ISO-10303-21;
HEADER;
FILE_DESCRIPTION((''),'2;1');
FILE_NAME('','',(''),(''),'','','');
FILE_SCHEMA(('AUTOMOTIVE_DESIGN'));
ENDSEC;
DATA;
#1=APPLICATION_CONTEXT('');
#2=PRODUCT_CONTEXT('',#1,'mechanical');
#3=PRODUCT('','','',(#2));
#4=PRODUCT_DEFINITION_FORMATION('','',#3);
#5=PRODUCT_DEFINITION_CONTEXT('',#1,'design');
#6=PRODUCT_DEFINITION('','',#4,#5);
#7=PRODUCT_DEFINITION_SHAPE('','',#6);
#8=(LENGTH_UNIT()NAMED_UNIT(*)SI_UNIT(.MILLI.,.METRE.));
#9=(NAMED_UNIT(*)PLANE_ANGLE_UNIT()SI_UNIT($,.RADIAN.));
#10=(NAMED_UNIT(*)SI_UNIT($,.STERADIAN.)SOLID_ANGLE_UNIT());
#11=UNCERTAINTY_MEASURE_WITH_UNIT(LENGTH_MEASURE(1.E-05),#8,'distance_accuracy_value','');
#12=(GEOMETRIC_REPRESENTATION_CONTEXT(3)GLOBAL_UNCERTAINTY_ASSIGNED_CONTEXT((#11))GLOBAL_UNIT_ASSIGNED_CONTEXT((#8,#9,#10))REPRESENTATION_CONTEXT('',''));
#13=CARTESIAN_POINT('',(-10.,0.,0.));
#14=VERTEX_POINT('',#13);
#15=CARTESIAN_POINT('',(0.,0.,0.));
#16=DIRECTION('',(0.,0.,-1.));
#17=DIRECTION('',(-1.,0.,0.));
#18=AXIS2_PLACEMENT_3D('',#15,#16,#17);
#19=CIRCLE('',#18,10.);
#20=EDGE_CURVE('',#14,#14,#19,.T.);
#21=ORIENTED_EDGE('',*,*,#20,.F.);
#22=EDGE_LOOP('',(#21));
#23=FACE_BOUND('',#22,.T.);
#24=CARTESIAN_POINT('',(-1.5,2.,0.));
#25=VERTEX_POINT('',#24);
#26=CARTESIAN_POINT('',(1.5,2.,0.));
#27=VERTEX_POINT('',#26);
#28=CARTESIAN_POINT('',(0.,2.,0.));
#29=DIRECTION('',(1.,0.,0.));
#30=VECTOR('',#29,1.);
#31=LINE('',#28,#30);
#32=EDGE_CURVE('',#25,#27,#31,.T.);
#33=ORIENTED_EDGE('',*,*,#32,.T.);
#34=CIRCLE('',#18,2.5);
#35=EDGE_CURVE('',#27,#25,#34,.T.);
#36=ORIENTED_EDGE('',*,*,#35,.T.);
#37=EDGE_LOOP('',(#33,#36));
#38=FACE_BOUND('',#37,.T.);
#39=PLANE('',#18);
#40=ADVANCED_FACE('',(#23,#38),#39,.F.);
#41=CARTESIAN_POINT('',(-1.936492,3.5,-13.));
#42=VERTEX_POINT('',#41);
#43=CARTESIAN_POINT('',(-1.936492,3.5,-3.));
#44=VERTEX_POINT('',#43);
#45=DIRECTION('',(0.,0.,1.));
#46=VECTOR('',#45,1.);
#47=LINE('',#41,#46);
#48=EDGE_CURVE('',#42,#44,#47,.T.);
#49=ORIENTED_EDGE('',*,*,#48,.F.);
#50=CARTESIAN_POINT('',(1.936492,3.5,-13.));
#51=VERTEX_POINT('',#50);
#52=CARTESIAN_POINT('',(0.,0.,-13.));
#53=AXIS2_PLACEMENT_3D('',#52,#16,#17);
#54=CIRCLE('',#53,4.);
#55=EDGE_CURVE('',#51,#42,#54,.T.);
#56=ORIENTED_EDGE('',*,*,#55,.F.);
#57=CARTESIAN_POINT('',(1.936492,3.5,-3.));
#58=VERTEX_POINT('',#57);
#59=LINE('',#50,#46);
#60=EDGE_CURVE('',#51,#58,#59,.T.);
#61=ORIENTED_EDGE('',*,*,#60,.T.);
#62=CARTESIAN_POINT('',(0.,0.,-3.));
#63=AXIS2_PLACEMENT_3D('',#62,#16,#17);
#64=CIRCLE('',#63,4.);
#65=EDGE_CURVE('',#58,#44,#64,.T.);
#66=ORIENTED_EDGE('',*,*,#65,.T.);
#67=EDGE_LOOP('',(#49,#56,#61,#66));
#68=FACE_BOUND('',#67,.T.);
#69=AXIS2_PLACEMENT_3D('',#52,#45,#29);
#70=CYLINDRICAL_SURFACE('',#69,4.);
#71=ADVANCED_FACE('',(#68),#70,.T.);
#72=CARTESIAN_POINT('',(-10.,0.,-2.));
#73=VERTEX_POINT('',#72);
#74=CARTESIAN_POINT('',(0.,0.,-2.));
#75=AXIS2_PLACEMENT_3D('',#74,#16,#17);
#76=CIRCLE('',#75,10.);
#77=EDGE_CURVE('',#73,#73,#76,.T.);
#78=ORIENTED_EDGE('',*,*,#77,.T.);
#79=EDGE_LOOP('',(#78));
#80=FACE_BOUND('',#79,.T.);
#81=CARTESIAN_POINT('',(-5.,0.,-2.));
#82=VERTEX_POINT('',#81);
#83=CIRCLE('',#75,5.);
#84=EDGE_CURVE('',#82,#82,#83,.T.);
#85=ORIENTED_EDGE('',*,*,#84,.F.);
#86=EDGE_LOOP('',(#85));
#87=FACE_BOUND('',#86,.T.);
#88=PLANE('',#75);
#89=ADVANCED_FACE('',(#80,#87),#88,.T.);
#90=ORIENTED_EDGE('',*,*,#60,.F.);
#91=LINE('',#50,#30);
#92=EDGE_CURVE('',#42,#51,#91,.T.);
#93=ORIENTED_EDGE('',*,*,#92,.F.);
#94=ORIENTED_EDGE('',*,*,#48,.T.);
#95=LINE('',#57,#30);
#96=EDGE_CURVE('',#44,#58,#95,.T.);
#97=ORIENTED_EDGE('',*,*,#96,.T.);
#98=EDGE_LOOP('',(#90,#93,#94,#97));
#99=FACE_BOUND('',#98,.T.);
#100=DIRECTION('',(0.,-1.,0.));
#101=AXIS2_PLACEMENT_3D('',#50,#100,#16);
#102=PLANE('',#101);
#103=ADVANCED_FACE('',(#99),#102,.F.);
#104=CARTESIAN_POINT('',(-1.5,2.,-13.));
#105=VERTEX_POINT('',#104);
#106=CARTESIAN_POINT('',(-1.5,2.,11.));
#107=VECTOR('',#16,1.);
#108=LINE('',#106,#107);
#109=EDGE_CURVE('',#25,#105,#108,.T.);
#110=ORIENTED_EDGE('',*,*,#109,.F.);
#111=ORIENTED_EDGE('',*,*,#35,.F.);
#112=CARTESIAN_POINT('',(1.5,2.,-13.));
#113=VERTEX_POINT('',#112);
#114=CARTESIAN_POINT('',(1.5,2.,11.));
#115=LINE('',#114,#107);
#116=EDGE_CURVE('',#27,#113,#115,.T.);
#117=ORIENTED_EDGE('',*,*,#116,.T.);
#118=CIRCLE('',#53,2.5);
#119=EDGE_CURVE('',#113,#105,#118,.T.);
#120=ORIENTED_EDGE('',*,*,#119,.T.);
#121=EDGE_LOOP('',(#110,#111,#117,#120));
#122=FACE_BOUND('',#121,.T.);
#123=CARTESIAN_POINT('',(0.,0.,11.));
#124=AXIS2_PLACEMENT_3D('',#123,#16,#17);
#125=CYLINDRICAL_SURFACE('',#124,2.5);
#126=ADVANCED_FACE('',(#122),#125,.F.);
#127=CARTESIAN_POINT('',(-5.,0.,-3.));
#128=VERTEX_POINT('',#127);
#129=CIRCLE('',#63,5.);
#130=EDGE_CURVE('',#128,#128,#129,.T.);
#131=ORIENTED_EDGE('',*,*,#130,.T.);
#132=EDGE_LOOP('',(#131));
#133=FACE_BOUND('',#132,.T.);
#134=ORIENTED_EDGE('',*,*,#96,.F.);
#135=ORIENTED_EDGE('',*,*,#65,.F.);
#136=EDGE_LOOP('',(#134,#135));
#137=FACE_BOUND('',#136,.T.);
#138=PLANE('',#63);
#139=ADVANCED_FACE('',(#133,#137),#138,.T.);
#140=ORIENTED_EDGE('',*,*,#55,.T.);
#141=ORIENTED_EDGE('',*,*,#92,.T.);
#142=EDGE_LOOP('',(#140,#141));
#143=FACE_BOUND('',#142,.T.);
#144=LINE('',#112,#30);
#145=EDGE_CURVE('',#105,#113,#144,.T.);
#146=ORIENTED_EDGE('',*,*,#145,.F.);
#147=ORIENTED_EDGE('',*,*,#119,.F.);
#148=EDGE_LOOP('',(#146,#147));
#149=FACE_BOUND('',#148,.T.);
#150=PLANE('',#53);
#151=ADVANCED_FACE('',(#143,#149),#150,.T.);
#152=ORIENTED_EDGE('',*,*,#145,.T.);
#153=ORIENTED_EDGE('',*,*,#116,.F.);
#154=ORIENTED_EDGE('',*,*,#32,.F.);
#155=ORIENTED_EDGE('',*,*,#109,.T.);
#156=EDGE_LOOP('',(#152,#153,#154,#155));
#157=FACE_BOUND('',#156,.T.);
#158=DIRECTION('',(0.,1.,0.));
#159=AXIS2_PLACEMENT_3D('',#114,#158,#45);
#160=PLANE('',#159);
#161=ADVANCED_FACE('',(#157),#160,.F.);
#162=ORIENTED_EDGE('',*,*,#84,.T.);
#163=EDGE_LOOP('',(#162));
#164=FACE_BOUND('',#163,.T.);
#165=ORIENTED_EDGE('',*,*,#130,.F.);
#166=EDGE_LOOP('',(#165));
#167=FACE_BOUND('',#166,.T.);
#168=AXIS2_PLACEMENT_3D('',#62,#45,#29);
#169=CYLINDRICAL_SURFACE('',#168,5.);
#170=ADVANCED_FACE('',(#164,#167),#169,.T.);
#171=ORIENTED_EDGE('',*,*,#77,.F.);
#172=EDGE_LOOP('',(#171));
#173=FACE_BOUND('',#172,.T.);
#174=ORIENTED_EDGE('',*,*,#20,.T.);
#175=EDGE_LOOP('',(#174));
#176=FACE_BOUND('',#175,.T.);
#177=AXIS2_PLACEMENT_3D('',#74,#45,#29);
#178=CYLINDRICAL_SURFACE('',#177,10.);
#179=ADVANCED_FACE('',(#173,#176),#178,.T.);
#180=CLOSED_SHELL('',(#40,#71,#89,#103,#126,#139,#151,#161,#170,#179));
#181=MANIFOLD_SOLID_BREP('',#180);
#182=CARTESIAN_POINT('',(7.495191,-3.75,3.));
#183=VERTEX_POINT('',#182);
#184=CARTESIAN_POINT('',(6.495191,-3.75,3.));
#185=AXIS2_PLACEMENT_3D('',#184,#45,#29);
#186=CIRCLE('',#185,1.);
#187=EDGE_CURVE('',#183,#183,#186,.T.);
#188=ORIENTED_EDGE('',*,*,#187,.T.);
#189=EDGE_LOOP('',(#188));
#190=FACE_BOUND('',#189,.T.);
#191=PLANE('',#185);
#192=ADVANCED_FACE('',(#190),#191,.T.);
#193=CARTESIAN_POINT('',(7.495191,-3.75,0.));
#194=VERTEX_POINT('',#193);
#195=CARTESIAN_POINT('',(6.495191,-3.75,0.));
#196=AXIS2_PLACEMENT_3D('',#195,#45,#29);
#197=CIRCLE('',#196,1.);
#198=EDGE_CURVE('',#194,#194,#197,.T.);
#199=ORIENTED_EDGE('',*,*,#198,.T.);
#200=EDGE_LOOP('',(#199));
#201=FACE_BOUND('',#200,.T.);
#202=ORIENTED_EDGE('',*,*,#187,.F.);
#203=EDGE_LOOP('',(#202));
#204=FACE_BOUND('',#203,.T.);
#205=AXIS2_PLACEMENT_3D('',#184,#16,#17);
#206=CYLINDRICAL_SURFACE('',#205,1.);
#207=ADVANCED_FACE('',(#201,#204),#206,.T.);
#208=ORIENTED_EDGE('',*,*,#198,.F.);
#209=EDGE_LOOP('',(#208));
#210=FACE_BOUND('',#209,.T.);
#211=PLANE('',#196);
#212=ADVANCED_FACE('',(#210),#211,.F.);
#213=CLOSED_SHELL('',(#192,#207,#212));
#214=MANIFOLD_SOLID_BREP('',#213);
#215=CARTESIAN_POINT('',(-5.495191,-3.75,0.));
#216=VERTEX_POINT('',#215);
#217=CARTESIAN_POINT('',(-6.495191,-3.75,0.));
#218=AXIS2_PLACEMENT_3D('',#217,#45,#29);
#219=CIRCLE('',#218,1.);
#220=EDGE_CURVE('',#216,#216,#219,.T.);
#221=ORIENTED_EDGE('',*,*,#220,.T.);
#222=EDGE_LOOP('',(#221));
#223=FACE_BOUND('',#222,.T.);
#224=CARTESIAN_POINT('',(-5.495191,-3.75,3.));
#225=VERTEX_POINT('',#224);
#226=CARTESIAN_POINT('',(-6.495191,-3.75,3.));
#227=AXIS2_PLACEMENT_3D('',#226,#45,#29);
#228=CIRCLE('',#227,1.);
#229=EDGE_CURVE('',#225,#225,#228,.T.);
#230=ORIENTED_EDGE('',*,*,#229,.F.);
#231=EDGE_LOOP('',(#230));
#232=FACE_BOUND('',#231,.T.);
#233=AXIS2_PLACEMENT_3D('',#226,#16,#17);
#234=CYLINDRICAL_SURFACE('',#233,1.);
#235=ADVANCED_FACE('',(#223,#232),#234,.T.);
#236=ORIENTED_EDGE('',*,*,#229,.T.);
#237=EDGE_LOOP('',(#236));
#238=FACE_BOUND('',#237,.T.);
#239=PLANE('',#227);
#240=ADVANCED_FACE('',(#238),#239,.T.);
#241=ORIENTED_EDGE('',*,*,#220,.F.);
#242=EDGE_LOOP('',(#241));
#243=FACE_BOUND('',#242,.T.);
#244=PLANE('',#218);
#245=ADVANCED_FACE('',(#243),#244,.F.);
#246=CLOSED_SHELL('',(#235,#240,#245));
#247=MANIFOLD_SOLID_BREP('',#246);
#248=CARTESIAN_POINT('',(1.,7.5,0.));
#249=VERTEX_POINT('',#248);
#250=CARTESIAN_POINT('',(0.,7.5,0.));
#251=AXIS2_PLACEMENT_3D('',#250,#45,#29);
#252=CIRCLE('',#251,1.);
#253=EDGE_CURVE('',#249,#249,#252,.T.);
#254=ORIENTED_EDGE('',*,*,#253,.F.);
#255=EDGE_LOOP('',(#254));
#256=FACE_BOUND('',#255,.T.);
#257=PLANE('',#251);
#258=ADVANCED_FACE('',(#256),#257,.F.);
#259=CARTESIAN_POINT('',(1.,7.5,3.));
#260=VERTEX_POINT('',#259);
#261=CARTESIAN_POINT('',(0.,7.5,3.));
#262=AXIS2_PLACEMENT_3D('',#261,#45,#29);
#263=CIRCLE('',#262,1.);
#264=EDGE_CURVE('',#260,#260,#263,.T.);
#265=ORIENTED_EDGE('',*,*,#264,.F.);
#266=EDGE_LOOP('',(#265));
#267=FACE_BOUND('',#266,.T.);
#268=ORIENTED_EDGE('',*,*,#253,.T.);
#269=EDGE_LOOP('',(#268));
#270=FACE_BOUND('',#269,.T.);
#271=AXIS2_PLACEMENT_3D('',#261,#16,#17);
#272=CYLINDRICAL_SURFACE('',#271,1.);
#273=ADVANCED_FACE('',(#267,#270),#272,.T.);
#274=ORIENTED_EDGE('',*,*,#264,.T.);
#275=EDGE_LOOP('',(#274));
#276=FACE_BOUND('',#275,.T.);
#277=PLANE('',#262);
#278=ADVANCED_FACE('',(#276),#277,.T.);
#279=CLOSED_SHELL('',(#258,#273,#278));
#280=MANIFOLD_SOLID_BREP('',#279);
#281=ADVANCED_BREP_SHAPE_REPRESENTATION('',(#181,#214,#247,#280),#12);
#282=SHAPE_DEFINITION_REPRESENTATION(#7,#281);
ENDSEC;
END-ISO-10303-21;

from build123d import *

# Parameters (mm, degrees)
SKETCH_1_R          = 1
EXTRUDE_1_DEPTH     = 3
EXTRUDE_1_2_DEPTH   = 3
EXTRUDE_1_3_DEPTH   = 3
SKETCH_2_R          = 10
EXTRUDE_2_DEPTH     = 2
SKETCH_3_R          = 5
EXTRUDE_3_DEPTH     = 1
EXTRUDE_4_DEPTH     = 10
CUT_EXTRUDE_1_DEPTH = 24


with BuildPart() as part:
    # 草图1 → 凸台-拉伸1 (new body)
    with BuildSketch(Plane.XY):
        with Locations((0, 7.5)):
            Circle(SKETCH_1_R)
    extrude(amount=EXTRUDE_1_DEPTH)


with BuildPart() as body_2:
    # 草图1 → Extrude 1 2 (new body)
    with BuildSketch(Plane.XY):
        with Locations((6.495190528, -3.75)):
            Circle(SKETCH_1_R)
    extrude(amount=EXTRUDE_1_2_DEPTH)


with BuildPart() as body_3:
    # 草图1 → Extrude 1 3 (new body)
    with BuildSketch(Plane.XY):
        with Locations((-6.495190528, -3.75)):
            Circle(SKETCH_1_R)
    extrude(amount=EXTRUDE_1_3_DEPTH)


with BuildPart() as body_4:
    # 草图2 → 凸台-拉伸2 (new body)
    with BuildSketch(Plane(origin=(0, 0, 0), x_dir=(-1, 0, 0), z_dir=(0, 0, -1))):
        Circle(SKETCH_2_R)
    extrude(amount=EXTRUDE_2_DEPTH)

    # 草图3 → 凸台-拉伸3 (add)
    with BuildSketch(Plane(origin=(0, 0, -2), x_dir=(-1, 0, 0), z_dir=(0, 0, -1))):
        Circle(SKETCH_3_R)
    extrude(amount=EXTRUDE_3_DEPTH)

    # 草图4 → 凸台-拉伸4 (add)
    with BuildSketch(Plane(origin=(0, 0, -3), x_dir=(-1, 0, 0), z_dir=(0, 0, -1))):
        with BuildLine():
            Line((-1.936491673, 3.5), (1.936491673, 3.5))
            ThreePointArc((1.936491673, 3.5), (0, -4), (-1.936491673, 3.5))
        make_face()
    extrude(amount=EXTRUDE_4_DEPTH)

    # 草图5 → 切除-拉伸1 (cut)
    with BuildSketch(Plane(origin=(0, 0, -13), x_dir=(-1, 0, 0), z_dir=(0, 0, -1))):
        with BuildLine():
            Line((-1.5, 2), (1.5, 2))
            ThreePointArc((1.5, 2), (0, -2.5), (-1.5, 2))
        make_face()
    extrude(amount=-CUT_EXTRUDE_1_DEPTH, mode=Mode.SUBTRACT)


solid = Compound([part.part, body_2.part, body_3.part, body_4.part])
